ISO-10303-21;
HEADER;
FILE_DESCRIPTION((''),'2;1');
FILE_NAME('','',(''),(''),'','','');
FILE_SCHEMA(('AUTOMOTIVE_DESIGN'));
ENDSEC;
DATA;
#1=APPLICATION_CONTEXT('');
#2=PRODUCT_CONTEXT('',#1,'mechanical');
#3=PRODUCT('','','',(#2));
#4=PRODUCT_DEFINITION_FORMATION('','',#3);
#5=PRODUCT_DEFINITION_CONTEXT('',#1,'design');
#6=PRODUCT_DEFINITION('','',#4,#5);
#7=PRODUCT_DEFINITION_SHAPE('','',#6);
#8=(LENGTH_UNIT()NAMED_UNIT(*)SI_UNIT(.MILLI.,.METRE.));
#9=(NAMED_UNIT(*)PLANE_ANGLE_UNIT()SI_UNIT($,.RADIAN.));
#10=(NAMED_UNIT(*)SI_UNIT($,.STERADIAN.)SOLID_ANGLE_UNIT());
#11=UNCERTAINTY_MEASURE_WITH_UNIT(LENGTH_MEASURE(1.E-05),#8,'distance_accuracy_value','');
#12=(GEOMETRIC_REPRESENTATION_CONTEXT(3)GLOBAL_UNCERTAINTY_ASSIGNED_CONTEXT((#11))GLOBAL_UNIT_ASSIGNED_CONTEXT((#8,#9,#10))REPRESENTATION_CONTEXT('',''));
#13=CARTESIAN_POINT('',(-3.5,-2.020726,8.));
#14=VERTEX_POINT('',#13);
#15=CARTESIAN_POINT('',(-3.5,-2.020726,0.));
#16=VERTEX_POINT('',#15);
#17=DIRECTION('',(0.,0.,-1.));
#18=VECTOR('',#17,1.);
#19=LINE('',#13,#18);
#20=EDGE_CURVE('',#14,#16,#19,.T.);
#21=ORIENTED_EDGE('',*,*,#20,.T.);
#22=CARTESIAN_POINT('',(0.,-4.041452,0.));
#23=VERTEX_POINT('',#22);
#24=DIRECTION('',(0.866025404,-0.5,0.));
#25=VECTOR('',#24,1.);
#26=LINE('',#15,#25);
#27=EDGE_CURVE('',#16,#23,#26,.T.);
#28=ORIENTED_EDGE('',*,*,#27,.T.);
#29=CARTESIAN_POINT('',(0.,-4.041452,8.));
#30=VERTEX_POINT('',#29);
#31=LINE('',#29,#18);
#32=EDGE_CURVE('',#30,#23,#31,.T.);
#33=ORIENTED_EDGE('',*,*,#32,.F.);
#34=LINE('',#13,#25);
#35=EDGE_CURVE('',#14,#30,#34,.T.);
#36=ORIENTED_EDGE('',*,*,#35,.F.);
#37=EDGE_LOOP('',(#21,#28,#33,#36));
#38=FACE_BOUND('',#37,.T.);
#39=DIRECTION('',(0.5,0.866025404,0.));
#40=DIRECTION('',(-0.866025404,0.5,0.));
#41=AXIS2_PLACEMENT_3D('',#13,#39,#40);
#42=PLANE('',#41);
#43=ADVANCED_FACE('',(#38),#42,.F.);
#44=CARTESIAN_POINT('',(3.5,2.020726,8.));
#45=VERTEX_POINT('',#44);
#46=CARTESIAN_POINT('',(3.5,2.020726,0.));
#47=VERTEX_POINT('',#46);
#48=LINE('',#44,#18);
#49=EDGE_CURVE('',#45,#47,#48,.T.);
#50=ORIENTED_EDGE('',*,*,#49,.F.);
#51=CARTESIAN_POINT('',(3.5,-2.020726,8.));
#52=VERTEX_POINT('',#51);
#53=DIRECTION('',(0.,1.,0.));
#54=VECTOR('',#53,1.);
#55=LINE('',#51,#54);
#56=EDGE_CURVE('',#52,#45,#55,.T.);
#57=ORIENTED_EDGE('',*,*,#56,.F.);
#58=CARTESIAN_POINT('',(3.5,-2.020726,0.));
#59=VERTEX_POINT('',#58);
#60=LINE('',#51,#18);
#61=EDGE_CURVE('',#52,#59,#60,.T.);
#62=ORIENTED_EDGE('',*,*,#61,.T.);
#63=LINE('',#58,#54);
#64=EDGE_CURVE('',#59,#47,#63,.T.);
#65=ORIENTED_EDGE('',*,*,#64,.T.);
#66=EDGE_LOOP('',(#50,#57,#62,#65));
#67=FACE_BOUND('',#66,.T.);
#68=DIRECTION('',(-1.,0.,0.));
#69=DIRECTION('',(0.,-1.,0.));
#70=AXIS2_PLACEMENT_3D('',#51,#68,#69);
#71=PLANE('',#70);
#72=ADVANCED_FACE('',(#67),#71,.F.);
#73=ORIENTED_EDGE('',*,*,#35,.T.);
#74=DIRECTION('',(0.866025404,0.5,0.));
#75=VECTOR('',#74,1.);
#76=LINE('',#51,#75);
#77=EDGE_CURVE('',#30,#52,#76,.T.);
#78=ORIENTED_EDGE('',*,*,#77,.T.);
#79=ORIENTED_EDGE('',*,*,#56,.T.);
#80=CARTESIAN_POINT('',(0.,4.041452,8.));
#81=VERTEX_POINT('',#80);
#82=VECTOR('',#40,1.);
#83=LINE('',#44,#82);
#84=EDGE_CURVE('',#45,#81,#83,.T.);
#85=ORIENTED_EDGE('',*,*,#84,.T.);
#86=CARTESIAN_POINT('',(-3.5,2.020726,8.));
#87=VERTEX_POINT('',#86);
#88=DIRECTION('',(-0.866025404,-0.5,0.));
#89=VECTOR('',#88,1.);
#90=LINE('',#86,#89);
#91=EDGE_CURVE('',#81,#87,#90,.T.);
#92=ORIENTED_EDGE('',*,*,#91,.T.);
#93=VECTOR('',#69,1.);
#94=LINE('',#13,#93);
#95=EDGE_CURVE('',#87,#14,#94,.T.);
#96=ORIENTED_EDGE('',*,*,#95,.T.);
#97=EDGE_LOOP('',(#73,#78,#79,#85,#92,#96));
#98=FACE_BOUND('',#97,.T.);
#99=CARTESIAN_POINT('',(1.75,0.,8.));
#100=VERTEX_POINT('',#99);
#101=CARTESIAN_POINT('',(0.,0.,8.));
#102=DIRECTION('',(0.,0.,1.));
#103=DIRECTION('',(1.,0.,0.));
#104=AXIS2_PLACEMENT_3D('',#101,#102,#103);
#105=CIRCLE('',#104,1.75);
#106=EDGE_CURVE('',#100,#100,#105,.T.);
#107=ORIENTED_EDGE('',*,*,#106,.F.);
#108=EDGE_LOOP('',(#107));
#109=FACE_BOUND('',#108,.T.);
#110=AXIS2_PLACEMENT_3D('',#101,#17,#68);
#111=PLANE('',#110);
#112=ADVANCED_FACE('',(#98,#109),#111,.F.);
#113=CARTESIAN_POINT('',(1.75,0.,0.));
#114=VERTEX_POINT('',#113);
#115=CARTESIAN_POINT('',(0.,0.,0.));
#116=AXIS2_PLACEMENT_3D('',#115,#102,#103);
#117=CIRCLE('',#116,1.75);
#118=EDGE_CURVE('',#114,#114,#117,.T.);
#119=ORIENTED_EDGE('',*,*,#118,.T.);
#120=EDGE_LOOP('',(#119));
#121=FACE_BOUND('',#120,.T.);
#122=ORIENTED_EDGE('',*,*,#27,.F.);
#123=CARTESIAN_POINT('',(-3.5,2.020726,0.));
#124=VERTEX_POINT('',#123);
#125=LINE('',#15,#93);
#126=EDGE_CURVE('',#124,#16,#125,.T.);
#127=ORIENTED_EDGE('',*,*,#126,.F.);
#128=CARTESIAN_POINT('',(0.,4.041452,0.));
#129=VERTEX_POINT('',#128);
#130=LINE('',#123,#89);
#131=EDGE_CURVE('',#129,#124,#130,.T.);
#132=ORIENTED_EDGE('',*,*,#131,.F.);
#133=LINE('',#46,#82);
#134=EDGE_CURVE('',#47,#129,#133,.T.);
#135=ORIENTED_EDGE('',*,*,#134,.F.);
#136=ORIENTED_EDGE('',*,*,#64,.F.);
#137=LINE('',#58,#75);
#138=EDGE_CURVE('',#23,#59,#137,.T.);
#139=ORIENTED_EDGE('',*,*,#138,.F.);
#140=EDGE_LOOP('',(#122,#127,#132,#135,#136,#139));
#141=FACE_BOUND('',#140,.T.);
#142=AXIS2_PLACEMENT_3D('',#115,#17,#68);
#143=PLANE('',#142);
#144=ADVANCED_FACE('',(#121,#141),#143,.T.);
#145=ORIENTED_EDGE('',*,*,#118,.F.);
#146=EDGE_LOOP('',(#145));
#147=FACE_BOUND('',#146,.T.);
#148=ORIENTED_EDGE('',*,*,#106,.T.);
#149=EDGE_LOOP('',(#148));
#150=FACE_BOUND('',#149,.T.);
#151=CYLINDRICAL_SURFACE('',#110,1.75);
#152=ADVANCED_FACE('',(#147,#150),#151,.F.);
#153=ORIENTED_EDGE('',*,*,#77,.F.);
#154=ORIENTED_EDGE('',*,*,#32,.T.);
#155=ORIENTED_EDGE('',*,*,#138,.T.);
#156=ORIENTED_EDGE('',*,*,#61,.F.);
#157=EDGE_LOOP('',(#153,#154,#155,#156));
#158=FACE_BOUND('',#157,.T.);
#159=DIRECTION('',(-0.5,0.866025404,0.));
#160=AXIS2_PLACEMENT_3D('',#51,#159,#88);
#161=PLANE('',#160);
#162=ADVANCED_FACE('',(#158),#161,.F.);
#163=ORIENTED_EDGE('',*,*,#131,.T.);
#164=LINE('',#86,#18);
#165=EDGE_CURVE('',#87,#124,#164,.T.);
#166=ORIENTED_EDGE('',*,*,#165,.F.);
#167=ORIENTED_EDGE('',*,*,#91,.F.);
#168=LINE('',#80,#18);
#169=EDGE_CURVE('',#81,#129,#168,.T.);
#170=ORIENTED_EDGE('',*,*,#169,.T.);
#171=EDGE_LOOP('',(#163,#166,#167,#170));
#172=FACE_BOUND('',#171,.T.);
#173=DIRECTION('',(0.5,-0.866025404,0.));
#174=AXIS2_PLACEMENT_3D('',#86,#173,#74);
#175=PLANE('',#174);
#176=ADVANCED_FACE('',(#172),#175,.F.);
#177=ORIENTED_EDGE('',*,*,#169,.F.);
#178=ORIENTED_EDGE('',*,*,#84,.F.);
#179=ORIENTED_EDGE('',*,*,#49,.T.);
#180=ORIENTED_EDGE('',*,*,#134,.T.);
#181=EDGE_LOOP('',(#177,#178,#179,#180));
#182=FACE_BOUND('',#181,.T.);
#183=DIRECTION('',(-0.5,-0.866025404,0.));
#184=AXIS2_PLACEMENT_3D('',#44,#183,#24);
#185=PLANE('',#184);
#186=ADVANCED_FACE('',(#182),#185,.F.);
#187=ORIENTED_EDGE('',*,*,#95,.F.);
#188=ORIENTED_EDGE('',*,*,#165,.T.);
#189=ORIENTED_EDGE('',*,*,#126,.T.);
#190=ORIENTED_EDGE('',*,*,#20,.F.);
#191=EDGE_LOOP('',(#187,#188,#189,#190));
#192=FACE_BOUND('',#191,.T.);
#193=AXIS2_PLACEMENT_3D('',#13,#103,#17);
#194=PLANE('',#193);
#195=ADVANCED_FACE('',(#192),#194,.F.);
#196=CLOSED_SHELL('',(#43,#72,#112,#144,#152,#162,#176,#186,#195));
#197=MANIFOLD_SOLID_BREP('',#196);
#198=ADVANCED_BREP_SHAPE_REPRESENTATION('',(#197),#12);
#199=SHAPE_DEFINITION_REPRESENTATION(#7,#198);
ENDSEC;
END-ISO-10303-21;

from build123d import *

# Parameters (mm, degrees)
ESQUISSE1_R        = 1.75
BOSS_EXTRU_1_DEPTH = 8


with BuildPart() as part:
    # Esquisse1 → Boss.-Extru.1 (new body)
    with BuildSketch(Plane.XY):
        Polygon((3.5, -2.020725942), (3.5, 2.020725942), (0, 4.041451884), (-3.5, 2.020725942), (-3.5, -2.020725942), (0, -4.041451884), align=None)
        Circle(ESQUISSE1_R, mode=Mode.SUBTRACT)
    extrude(amount=BOSS_EXTRU_1_DEPTH)


solid = part.part
